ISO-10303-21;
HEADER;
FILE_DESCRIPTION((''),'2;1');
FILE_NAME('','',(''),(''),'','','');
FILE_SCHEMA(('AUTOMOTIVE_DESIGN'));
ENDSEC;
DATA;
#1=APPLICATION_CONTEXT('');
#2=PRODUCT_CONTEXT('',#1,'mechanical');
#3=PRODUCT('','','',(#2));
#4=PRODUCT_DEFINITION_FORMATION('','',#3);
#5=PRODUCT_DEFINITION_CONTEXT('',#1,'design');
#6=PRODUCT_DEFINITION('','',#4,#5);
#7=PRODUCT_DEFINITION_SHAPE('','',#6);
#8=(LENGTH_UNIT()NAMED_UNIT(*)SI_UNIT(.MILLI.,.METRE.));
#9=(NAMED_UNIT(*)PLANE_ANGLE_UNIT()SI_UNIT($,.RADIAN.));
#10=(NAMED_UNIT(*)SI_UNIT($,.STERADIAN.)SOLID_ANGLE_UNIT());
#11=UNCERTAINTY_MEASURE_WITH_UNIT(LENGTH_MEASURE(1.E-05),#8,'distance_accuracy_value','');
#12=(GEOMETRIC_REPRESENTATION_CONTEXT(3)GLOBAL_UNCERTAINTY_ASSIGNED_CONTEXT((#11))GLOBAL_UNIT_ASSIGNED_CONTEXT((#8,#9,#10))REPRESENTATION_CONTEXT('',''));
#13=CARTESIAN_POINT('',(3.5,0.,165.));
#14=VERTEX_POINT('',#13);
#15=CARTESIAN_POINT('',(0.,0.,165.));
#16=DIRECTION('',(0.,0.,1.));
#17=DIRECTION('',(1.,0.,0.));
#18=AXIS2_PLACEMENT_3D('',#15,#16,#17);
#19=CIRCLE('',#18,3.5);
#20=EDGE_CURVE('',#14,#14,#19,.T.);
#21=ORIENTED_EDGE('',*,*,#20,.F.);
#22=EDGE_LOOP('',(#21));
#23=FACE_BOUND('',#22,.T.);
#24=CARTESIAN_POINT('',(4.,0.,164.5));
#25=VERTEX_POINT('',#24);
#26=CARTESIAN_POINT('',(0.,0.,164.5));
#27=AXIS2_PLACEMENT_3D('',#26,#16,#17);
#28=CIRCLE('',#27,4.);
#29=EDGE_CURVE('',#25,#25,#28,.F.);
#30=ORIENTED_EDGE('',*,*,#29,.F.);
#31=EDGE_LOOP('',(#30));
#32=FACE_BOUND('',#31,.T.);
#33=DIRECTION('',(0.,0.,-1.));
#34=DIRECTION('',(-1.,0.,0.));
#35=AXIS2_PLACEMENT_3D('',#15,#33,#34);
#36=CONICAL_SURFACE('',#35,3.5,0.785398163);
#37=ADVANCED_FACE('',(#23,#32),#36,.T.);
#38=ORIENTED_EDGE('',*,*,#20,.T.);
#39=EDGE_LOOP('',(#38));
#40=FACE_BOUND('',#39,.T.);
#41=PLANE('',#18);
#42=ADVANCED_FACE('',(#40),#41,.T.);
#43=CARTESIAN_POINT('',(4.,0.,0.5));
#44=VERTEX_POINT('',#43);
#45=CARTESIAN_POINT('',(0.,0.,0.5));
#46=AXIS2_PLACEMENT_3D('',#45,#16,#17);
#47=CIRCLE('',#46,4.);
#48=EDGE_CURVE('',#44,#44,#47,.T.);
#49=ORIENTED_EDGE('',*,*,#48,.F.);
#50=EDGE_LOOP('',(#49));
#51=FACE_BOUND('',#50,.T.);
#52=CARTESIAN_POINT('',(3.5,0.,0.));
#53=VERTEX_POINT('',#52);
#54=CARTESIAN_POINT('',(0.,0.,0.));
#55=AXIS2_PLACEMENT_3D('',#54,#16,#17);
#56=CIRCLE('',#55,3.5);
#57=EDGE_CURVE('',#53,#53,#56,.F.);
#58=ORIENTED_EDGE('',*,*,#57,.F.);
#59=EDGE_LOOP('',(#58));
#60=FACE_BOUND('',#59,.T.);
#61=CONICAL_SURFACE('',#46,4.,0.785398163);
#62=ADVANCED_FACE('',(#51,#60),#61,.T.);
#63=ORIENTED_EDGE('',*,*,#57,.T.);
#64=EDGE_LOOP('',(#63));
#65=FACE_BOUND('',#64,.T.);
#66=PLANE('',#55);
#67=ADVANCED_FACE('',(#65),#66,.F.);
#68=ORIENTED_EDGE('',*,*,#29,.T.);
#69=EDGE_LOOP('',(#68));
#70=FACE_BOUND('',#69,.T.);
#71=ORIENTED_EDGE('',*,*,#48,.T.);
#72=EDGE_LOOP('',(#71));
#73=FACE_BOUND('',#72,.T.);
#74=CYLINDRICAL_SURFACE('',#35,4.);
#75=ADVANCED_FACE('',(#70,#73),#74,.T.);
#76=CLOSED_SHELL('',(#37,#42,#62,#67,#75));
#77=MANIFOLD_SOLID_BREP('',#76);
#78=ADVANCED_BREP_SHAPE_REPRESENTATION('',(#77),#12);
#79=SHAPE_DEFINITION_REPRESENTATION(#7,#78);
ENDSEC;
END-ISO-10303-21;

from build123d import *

# Parameters (mm, degrees)
SKETCH1_R           = 4
BOSS_EXTRUDE1_DEPTH = 165
CHAMFER1_SIZE       = 0.5


with BuildPart() as part:
    # Sketch1 → Boss-Extrude1 (new body)
    with BuildSketch(Plane.XY):
        Circle(SKETCH1_R)
    extrude(amount=BOSS_EXTRUDE1_DEPTH)

    # Chamfer1
    chamfer1_edges = [part.edges().sort_by_distance(p)[0] for p in [
        (-4, 0, 0),
        (-4, 0, 165),
    ]]
    chamfer(chamfer1_edges, length=CHAMFER1_SIZE)


solid = part.part
